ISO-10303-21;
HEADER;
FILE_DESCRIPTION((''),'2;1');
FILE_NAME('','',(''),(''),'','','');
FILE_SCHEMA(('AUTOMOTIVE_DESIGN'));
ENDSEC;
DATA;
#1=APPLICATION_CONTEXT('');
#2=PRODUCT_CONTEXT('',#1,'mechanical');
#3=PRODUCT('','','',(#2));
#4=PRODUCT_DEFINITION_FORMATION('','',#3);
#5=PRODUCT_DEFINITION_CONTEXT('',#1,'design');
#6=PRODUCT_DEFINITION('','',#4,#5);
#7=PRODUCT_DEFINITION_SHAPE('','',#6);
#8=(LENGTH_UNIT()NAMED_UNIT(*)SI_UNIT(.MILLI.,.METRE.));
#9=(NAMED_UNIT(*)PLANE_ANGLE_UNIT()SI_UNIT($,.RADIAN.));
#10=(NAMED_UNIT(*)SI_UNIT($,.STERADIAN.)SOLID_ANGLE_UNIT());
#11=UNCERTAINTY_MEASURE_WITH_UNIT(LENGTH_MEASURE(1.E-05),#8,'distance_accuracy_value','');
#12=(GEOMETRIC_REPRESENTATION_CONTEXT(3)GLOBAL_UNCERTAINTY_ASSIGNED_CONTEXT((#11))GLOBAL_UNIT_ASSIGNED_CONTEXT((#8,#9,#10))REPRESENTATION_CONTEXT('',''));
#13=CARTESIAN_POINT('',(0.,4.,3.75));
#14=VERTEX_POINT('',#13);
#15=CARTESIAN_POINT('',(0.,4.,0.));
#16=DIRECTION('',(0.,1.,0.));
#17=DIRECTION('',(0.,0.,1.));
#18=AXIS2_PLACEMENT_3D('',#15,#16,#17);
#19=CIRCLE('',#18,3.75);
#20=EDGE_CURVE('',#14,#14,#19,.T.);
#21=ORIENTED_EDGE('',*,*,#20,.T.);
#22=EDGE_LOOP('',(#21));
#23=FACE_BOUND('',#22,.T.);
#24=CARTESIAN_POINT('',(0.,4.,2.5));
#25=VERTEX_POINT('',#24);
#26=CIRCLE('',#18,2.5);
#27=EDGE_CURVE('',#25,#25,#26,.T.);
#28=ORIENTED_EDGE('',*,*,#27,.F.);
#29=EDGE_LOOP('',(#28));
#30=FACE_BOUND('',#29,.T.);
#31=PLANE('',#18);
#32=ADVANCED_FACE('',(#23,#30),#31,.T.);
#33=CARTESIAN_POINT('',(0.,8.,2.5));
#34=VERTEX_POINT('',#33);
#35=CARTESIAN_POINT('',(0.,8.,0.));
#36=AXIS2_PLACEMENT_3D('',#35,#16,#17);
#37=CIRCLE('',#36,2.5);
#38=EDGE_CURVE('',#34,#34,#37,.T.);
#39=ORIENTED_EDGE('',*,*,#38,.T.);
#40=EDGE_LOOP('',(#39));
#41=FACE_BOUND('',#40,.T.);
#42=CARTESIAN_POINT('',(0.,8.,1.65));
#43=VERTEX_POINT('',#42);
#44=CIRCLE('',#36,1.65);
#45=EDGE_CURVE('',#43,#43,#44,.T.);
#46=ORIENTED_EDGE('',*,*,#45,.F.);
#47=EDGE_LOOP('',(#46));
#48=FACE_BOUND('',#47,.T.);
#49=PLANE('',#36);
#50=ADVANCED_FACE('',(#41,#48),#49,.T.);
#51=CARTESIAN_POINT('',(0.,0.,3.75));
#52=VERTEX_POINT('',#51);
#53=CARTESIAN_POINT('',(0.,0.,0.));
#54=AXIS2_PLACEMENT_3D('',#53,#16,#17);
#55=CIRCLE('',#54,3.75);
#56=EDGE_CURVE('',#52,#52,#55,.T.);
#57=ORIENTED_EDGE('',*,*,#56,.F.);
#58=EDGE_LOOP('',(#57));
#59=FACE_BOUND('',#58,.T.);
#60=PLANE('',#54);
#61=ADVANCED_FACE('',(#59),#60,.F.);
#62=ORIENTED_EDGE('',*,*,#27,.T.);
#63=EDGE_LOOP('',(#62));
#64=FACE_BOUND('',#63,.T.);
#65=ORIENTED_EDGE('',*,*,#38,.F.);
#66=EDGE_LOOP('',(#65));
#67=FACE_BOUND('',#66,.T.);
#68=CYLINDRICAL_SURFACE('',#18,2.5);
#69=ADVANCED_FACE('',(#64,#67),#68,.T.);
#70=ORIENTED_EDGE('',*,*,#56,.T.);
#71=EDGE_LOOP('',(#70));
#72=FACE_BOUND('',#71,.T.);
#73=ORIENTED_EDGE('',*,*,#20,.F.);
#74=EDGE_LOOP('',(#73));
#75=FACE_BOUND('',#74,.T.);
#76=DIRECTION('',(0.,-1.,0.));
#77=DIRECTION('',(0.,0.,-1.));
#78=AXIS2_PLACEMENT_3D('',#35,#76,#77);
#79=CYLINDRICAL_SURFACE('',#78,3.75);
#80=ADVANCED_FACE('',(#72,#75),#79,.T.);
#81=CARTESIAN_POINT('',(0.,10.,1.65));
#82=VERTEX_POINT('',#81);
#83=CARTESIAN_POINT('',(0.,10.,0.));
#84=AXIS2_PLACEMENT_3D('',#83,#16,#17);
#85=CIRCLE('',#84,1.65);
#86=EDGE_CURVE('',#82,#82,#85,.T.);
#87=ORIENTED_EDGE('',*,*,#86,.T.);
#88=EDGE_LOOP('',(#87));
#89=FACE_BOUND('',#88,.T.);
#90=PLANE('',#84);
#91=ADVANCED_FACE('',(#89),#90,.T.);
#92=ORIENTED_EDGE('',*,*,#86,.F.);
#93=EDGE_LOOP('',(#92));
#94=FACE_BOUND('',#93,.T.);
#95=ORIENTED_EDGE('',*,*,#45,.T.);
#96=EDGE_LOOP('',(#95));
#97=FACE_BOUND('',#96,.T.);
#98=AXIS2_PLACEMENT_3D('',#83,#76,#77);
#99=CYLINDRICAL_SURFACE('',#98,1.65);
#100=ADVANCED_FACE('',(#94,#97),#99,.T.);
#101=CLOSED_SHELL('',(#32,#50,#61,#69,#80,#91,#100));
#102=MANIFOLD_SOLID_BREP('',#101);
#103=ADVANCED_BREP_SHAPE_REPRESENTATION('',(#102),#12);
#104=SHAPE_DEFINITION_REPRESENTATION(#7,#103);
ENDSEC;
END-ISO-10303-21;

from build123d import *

# Parameters (mm, degrees)
SKETCH1_R           = 3.75
BOSS_EXTRUDE1_DEPTH = 8
SKETCH2_R           = 3.75
SKETCH2_R_2         = 2.5
CUT_EXTRUDE1_DEPTH  = 4
SKETCH3_R           = 1.65
BOSS_EXTRUDE2_DEPTH = 2


with BuildPart() as part:
    # Sketch1 → Boss-Extrude1 (new body)
    with BuildSketch(Plane(origin=(0, 0, 0), x_dir=(1, 0, 0), z_dir=(0, 1, 0))):
        Circle(SKETCH1_R)
    extrude(amount=BOSS_EXTRUDE1_DEPTH)

    # Sketch2 → Cut-Extrude1 (cut)
    with BuildSketch(Plane(origin=(0, 8, 0), x_dir=(1, 0, 0), z_dir=(0, 1, 0))):
        Circle(SKETCH2_R)
        Circle(SKETCH2_R_2, mode=Mode.SUBTRACT)
    extrude(amount=-CUT_EXTRUDE1_DEPTH, mode=Mode.SUBTRACT)

    # Sketch3 → Boss-Extrude2 (add)
    with BuildSketch(Plane(origin=(0, 8, 0), x_dir=(1, 0, 0), z_dir=(0, 1, 0))):
        Circle(SKETCH3_R)
    extrude(amount=BOSS_EXTRUDE2_DEPTH)


solid = part.part
